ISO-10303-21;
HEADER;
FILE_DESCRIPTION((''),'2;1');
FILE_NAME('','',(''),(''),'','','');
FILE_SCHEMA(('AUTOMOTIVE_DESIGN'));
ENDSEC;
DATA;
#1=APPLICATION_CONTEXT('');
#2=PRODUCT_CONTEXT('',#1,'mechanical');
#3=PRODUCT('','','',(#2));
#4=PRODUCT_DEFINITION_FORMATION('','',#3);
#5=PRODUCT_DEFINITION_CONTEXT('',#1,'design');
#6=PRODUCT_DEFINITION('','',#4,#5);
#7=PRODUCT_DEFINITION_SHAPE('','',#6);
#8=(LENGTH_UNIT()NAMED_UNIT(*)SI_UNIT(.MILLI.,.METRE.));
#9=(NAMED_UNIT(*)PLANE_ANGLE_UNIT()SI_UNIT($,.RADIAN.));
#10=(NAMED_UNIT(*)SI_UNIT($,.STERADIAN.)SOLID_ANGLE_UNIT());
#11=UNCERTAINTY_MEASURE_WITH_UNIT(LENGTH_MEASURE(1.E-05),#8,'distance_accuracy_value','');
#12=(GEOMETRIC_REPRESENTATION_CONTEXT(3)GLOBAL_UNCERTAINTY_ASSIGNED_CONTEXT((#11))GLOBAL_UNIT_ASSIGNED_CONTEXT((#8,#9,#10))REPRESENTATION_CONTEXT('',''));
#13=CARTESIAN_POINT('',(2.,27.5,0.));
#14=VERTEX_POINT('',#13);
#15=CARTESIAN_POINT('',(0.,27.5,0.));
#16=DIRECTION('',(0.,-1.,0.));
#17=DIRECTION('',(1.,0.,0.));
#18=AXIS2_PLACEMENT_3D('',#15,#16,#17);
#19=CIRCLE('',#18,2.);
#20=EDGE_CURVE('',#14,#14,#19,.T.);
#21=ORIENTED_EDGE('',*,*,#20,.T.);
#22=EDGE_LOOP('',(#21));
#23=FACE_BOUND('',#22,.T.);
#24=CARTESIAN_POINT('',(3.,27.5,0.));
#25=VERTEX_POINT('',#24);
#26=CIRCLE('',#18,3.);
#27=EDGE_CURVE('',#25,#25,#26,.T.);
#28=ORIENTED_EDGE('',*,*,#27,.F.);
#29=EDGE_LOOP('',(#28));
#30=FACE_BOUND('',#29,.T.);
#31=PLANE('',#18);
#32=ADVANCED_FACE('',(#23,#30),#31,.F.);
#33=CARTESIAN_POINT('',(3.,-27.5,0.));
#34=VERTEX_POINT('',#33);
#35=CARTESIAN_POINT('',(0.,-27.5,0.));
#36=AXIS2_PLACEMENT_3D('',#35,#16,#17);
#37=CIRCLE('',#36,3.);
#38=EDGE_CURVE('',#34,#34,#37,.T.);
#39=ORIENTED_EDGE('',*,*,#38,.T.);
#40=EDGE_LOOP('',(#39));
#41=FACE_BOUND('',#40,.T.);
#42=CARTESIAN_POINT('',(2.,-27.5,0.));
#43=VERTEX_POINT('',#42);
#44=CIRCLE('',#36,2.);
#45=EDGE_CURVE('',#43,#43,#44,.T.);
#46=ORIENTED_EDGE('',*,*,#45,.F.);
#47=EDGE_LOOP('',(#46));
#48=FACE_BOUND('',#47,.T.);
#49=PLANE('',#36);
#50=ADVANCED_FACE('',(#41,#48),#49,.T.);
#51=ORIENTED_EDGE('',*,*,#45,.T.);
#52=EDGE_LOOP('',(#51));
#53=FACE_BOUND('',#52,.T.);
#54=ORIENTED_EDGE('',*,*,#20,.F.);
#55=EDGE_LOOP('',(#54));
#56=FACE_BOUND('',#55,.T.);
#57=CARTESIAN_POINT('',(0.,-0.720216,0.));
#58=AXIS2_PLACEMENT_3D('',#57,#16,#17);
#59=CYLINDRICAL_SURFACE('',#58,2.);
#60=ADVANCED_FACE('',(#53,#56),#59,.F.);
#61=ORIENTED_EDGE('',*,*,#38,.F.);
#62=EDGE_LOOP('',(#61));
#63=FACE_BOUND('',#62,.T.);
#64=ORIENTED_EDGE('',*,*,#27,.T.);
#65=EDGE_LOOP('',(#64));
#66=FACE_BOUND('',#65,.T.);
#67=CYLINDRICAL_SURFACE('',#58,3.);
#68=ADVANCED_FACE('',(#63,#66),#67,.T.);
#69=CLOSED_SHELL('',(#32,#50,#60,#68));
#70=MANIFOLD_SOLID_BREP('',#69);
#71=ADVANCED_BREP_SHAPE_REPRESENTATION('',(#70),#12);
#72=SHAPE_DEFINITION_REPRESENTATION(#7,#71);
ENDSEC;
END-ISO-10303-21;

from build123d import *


with BuildPart() as part:
    # Croquis1 → Revolución1 (revolve)
    with BuildSketch(Plane.XY):
        Polygon((-3, -27.5), (-2, -27.5), (-2, 27.5), (-2.6, 27.5), (-3, 27.5), align=None)
    revolve(axis=Axis((0, -0.720216084, 0), (0, 1, 0)))


solid = part.part
